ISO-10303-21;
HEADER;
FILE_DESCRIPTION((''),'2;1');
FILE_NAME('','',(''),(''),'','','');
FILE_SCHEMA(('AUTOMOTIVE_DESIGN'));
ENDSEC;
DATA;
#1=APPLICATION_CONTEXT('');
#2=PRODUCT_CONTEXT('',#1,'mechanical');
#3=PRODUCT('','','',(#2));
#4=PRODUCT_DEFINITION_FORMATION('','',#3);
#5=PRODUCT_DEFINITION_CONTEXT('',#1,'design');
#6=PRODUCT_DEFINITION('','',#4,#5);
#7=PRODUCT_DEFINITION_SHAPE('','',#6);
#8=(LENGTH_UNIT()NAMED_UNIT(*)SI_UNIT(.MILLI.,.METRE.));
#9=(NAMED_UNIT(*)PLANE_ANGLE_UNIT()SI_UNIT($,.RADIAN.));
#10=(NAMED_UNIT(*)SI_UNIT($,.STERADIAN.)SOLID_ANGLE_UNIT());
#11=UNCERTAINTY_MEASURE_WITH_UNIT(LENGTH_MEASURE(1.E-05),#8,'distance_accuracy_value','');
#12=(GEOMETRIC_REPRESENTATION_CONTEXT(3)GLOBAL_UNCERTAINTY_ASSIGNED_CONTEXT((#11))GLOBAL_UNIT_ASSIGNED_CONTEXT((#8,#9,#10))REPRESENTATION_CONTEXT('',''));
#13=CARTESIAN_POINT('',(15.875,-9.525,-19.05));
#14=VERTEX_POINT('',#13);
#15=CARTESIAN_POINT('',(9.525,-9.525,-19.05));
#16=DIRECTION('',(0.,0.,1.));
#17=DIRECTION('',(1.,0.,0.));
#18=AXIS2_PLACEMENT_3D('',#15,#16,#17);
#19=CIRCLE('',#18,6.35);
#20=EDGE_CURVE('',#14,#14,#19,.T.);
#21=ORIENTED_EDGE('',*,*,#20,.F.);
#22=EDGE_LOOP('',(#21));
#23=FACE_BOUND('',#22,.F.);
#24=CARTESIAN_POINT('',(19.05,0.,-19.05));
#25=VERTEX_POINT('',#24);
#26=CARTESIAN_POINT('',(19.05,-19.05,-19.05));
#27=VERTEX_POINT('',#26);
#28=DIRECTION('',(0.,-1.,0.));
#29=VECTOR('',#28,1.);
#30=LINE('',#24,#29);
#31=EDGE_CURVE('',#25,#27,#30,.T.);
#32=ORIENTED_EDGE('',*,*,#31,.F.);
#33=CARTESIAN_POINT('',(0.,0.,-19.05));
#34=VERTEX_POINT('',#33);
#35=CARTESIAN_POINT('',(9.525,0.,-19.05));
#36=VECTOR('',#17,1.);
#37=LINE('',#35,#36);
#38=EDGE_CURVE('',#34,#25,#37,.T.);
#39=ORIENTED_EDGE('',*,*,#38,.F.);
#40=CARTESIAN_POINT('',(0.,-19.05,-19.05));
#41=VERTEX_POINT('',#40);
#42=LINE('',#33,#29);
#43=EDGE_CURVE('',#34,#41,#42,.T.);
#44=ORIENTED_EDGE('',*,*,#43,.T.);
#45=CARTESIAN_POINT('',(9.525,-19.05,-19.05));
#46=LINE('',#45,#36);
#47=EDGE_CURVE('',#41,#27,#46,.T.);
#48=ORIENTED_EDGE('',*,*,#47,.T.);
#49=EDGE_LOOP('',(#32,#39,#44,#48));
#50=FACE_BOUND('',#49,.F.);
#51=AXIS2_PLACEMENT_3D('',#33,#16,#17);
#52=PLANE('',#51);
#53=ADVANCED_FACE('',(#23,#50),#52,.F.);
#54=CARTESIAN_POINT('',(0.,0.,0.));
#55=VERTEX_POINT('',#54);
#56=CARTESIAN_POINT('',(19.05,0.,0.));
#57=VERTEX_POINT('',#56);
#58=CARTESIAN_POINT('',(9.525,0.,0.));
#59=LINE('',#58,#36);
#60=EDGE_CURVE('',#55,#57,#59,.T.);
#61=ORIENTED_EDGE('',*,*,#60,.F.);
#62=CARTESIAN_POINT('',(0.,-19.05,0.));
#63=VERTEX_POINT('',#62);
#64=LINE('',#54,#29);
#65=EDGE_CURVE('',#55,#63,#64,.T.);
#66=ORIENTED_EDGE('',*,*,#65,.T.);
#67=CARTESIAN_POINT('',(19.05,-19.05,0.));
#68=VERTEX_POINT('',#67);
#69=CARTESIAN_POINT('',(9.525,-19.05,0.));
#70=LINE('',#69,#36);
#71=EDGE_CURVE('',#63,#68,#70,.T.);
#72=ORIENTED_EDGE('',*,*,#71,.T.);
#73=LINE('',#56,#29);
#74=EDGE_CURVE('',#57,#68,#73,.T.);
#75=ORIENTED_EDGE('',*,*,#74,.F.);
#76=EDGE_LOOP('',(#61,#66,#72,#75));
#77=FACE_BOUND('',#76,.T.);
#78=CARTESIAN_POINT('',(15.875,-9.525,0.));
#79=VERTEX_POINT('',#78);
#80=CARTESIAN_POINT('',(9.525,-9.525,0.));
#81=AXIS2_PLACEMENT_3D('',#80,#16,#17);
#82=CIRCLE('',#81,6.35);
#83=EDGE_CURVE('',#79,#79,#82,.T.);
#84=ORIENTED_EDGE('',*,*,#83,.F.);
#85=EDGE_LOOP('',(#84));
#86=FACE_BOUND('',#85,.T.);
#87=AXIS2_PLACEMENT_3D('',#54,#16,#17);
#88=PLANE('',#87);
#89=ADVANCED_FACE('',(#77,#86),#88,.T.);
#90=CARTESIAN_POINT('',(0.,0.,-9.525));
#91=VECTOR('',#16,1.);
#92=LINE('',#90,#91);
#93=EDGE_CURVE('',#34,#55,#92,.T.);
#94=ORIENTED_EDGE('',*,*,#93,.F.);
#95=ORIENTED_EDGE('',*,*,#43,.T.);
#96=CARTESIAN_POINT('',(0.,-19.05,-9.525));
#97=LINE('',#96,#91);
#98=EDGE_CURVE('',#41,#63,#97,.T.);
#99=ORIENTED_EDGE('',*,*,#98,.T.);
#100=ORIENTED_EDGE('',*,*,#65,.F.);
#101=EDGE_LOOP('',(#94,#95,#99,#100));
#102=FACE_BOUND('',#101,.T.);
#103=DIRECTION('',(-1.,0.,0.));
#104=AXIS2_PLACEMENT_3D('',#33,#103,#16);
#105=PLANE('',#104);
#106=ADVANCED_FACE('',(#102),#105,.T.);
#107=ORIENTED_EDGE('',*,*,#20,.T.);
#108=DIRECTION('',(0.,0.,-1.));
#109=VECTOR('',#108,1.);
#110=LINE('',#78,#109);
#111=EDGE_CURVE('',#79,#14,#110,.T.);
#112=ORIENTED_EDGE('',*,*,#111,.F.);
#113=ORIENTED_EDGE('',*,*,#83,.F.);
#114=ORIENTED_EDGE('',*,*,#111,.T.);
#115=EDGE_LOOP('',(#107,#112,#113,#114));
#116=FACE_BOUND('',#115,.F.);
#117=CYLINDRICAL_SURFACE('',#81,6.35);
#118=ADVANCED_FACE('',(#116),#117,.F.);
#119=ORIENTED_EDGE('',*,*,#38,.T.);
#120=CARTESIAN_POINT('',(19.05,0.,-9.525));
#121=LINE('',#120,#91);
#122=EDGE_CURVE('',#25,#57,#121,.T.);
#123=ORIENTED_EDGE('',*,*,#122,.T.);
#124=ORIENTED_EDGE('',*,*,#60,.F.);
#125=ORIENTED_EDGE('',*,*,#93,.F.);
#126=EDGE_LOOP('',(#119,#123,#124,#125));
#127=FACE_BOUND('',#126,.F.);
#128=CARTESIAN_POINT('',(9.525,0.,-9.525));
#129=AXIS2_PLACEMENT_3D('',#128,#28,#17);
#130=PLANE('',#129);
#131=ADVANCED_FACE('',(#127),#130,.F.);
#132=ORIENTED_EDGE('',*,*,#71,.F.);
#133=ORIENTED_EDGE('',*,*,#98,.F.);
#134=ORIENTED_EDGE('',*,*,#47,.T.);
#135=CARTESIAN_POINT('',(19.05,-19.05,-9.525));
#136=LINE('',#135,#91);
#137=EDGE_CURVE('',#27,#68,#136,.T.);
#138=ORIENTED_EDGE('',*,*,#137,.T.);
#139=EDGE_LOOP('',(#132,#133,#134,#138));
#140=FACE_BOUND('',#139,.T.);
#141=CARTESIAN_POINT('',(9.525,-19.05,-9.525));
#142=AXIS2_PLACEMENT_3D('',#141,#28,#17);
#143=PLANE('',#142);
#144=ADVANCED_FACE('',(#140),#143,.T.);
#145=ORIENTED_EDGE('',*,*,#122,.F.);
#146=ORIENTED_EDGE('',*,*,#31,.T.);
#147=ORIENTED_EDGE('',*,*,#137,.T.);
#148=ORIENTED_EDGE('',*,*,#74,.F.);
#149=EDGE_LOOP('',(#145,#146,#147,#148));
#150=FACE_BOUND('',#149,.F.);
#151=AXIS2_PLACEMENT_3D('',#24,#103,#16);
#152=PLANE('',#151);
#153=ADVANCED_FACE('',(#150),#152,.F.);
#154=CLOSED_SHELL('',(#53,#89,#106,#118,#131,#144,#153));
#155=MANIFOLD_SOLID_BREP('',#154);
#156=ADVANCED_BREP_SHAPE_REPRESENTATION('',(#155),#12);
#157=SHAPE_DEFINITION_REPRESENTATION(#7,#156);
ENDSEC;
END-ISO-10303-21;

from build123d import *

# Parameters (mm, degrees)
F0_W     = 19.05
F0_H     = 19.05
F1_DEPTH = 19.05
F2_R     = 6.35
F3_DEPTH = 25.4


with BuildPart() as f1:
    # F0 (on Front) → F1 (new body)
    with BuildSketch(Plane.XZ):
        with Locations((9.525, -9.525)):
            Rectangle(F0_W, F0_H)
    extrude(amount=F1_DEPTH)

    # F2 (on face) → F3 (cut)
    with BuildSketch(Plane.XY):
        with Locations((9.525, -9.525)):
            Circle(F2_R)
    extrude(amount=-F3_DEPTH, mode=Mode.SUBTRACT)


solid = f1.part
